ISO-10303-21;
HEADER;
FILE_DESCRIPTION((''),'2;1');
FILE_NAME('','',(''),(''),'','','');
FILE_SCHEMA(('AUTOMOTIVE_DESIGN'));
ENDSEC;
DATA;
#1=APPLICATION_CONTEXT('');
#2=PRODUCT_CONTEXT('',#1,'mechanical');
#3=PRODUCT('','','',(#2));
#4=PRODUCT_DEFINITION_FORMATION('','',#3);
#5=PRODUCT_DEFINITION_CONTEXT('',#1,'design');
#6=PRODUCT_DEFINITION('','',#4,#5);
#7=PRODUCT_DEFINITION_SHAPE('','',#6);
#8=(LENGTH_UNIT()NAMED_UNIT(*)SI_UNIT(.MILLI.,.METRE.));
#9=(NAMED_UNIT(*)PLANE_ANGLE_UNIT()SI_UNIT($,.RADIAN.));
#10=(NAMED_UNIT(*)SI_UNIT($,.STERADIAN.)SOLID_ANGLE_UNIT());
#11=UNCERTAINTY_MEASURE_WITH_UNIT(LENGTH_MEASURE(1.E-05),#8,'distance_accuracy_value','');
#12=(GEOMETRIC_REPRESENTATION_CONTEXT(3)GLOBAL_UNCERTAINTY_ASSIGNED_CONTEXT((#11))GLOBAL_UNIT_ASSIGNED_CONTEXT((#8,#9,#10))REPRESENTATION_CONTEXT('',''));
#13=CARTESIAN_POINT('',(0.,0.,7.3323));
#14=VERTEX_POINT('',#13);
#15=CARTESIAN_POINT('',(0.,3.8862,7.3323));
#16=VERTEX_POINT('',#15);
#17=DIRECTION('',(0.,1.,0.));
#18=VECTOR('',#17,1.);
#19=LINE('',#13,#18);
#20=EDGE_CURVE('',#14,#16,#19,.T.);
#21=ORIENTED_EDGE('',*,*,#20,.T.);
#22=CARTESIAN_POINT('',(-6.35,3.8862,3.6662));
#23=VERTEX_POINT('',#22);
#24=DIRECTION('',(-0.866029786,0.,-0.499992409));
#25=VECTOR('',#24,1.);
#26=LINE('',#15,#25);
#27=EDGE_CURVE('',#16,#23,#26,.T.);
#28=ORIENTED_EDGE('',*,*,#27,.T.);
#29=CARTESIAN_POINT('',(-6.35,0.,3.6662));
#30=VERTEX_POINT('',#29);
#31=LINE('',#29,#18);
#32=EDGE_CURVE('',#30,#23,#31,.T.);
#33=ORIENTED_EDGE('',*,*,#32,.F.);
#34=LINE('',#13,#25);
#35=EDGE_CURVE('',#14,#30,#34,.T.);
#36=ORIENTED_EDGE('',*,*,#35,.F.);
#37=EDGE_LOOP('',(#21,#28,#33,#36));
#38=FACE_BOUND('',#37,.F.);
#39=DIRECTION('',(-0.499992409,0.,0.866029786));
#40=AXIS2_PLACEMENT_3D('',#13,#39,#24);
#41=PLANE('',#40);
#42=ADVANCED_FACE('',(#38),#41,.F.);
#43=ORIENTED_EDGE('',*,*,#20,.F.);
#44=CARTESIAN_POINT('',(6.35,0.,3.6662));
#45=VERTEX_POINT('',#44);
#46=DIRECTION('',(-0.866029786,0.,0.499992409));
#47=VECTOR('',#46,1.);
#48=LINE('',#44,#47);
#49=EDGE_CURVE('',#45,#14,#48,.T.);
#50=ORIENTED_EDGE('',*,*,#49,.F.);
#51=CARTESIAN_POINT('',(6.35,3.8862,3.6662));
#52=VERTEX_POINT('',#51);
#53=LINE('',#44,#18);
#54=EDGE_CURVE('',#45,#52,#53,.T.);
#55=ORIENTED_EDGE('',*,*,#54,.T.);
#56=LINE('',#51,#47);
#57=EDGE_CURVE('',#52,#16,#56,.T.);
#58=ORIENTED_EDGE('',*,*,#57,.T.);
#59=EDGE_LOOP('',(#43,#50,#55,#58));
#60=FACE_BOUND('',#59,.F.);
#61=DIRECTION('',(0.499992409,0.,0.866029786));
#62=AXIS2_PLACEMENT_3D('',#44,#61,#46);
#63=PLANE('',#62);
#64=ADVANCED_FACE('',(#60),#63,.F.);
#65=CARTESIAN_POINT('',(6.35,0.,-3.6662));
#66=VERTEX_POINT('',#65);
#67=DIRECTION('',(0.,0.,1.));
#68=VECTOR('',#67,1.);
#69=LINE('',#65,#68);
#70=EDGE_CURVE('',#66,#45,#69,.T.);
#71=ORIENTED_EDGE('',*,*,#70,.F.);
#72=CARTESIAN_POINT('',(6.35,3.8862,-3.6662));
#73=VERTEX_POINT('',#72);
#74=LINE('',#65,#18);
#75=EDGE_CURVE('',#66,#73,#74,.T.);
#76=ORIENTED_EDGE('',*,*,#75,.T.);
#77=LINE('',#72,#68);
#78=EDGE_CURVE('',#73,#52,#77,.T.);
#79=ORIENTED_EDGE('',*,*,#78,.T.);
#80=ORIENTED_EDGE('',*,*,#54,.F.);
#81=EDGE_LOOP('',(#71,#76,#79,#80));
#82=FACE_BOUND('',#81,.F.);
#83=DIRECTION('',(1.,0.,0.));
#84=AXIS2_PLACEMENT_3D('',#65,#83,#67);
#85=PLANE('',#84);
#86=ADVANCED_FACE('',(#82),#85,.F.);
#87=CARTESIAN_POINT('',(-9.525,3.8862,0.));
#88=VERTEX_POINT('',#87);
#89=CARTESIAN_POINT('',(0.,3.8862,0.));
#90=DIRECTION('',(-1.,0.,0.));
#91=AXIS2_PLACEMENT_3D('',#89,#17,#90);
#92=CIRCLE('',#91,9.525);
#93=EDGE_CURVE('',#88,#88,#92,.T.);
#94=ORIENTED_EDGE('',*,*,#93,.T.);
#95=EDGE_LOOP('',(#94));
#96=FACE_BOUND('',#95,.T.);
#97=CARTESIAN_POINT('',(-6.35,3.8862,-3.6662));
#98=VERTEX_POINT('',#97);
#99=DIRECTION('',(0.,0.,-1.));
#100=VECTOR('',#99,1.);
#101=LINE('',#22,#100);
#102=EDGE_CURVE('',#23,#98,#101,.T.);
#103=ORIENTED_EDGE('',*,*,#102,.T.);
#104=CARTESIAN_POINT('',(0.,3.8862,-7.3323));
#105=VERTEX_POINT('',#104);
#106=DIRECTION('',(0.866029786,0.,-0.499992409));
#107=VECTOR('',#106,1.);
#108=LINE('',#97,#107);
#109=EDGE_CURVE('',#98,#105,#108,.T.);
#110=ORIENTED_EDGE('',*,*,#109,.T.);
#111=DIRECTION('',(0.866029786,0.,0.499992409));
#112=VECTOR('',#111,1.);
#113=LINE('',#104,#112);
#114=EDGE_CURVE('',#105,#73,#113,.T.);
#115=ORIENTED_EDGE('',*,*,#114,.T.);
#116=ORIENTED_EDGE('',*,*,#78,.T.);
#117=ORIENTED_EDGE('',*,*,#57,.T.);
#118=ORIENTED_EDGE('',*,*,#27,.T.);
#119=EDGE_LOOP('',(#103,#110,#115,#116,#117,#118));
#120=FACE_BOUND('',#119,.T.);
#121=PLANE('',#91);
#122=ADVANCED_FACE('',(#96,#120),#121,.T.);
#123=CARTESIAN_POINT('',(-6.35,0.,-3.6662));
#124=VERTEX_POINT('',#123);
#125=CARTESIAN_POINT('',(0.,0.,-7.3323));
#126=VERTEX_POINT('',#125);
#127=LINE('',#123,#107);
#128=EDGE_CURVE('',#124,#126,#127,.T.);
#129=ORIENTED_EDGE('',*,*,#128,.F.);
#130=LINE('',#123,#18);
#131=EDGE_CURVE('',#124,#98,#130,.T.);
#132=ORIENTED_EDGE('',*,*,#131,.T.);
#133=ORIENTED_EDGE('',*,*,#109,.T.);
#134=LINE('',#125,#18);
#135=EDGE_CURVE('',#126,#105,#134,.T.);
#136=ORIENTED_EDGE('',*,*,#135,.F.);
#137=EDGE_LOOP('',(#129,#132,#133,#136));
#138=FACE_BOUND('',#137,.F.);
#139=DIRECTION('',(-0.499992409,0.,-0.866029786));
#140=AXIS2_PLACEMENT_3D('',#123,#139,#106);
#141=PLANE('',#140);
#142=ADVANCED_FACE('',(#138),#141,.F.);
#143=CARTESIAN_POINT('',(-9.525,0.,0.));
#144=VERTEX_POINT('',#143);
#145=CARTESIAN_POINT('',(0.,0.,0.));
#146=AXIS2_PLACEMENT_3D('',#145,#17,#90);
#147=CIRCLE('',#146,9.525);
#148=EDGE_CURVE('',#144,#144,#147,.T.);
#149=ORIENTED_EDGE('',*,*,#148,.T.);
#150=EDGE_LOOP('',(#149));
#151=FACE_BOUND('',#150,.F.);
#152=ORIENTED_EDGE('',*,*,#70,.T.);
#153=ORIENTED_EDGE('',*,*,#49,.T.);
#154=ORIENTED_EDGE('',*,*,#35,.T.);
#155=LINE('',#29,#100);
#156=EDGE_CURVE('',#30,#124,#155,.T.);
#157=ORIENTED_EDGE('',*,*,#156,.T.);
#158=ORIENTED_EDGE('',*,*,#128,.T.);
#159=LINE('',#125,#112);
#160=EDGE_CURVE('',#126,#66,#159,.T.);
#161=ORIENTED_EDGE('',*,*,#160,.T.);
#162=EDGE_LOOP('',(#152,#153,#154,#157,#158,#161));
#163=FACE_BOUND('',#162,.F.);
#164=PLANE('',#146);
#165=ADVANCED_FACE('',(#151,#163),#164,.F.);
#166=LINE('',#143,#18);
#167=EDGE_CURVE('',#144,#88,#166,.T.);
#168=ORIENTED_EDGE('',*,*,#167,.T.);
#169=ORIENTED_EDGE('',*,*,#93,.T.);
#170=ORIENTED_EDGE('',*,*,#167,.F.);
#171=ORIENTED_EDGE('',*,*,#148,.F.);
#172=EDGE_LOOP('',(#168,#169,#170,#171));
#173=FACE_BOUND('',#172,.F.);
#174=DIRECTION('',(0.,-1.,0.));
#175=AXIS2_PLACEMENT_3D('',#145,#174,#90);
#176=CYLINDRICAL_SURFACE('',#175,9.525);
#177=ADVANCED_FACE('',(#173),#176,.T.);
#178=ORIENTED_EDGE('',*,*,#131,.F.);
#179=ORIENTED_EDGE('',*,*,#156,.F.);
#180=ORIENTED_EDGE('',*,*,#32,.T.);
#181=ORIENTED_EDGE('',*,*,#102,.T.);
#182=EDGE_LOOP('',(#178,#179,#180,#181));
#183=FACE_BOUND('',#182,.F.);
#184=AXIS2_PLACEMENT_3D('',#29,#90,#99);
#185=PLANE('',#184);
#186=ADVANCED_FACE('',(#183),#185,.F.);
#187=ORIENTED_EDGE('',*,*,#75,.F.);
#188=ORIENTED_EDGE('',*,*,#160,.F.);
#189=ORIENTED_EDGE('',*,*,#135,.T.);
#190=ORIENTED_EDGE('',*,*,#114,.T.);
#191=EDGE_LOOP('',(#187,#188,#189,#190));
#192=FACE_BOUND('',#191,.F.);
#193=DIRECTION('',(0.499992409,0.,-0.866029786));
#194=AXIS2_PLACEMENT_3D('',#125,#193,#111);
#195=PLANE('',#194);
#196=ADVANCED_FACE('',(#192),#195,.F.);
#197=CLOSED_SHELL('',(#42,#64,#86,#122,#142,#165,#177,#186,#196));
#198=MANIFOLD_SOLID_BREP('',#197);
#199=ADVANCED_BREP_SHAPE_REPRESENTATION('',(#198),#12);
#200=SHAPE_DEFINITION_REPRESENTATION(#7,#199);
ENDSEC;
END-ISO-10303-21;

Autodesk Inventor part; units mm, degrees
ref_plane "YZ Plane" through (0, 0, 0) normal (1, 0, 0) x (0, 1, 0)
ref_plane "XZ Plane" through (0, 0, 0) normal (0, 1, 0) x (-1, 0, 0)
ref_plane "XY Plane" through (0, 0, 0) normal (0, 0, 1) x (1, 0, 0)
sketch "Sketch1" plane through (0, 0, 0) normal (0, 1, 0) x (-1, 0, 0)
  circle A0 centre (0, 0) radius 9.525
  line L0 (0, -7.3323) -> (-6.35, -3.6662)
  line L1 (-6.35, -3.6662) -> (-6.35, 3.6662)
  line L2 (-6.35, 3.6662) -> (0, 7.3323)
  line L3 (0, 7.3323) -> (6.35, 3.6662)
  line L4 (6.35, 3.6662) -> (6.35, -3.6662)
  line L5 (6.35, -3.6662) -> (0, -7.3323)
  dimension "d0" = 19.05
  dimension "d1" = 12.7
extrude "Extrusion1" add sketch "Sketch1" along normal blind 3.8862
properties part number "InnerHexSpacer" material "ABS Plastic"
